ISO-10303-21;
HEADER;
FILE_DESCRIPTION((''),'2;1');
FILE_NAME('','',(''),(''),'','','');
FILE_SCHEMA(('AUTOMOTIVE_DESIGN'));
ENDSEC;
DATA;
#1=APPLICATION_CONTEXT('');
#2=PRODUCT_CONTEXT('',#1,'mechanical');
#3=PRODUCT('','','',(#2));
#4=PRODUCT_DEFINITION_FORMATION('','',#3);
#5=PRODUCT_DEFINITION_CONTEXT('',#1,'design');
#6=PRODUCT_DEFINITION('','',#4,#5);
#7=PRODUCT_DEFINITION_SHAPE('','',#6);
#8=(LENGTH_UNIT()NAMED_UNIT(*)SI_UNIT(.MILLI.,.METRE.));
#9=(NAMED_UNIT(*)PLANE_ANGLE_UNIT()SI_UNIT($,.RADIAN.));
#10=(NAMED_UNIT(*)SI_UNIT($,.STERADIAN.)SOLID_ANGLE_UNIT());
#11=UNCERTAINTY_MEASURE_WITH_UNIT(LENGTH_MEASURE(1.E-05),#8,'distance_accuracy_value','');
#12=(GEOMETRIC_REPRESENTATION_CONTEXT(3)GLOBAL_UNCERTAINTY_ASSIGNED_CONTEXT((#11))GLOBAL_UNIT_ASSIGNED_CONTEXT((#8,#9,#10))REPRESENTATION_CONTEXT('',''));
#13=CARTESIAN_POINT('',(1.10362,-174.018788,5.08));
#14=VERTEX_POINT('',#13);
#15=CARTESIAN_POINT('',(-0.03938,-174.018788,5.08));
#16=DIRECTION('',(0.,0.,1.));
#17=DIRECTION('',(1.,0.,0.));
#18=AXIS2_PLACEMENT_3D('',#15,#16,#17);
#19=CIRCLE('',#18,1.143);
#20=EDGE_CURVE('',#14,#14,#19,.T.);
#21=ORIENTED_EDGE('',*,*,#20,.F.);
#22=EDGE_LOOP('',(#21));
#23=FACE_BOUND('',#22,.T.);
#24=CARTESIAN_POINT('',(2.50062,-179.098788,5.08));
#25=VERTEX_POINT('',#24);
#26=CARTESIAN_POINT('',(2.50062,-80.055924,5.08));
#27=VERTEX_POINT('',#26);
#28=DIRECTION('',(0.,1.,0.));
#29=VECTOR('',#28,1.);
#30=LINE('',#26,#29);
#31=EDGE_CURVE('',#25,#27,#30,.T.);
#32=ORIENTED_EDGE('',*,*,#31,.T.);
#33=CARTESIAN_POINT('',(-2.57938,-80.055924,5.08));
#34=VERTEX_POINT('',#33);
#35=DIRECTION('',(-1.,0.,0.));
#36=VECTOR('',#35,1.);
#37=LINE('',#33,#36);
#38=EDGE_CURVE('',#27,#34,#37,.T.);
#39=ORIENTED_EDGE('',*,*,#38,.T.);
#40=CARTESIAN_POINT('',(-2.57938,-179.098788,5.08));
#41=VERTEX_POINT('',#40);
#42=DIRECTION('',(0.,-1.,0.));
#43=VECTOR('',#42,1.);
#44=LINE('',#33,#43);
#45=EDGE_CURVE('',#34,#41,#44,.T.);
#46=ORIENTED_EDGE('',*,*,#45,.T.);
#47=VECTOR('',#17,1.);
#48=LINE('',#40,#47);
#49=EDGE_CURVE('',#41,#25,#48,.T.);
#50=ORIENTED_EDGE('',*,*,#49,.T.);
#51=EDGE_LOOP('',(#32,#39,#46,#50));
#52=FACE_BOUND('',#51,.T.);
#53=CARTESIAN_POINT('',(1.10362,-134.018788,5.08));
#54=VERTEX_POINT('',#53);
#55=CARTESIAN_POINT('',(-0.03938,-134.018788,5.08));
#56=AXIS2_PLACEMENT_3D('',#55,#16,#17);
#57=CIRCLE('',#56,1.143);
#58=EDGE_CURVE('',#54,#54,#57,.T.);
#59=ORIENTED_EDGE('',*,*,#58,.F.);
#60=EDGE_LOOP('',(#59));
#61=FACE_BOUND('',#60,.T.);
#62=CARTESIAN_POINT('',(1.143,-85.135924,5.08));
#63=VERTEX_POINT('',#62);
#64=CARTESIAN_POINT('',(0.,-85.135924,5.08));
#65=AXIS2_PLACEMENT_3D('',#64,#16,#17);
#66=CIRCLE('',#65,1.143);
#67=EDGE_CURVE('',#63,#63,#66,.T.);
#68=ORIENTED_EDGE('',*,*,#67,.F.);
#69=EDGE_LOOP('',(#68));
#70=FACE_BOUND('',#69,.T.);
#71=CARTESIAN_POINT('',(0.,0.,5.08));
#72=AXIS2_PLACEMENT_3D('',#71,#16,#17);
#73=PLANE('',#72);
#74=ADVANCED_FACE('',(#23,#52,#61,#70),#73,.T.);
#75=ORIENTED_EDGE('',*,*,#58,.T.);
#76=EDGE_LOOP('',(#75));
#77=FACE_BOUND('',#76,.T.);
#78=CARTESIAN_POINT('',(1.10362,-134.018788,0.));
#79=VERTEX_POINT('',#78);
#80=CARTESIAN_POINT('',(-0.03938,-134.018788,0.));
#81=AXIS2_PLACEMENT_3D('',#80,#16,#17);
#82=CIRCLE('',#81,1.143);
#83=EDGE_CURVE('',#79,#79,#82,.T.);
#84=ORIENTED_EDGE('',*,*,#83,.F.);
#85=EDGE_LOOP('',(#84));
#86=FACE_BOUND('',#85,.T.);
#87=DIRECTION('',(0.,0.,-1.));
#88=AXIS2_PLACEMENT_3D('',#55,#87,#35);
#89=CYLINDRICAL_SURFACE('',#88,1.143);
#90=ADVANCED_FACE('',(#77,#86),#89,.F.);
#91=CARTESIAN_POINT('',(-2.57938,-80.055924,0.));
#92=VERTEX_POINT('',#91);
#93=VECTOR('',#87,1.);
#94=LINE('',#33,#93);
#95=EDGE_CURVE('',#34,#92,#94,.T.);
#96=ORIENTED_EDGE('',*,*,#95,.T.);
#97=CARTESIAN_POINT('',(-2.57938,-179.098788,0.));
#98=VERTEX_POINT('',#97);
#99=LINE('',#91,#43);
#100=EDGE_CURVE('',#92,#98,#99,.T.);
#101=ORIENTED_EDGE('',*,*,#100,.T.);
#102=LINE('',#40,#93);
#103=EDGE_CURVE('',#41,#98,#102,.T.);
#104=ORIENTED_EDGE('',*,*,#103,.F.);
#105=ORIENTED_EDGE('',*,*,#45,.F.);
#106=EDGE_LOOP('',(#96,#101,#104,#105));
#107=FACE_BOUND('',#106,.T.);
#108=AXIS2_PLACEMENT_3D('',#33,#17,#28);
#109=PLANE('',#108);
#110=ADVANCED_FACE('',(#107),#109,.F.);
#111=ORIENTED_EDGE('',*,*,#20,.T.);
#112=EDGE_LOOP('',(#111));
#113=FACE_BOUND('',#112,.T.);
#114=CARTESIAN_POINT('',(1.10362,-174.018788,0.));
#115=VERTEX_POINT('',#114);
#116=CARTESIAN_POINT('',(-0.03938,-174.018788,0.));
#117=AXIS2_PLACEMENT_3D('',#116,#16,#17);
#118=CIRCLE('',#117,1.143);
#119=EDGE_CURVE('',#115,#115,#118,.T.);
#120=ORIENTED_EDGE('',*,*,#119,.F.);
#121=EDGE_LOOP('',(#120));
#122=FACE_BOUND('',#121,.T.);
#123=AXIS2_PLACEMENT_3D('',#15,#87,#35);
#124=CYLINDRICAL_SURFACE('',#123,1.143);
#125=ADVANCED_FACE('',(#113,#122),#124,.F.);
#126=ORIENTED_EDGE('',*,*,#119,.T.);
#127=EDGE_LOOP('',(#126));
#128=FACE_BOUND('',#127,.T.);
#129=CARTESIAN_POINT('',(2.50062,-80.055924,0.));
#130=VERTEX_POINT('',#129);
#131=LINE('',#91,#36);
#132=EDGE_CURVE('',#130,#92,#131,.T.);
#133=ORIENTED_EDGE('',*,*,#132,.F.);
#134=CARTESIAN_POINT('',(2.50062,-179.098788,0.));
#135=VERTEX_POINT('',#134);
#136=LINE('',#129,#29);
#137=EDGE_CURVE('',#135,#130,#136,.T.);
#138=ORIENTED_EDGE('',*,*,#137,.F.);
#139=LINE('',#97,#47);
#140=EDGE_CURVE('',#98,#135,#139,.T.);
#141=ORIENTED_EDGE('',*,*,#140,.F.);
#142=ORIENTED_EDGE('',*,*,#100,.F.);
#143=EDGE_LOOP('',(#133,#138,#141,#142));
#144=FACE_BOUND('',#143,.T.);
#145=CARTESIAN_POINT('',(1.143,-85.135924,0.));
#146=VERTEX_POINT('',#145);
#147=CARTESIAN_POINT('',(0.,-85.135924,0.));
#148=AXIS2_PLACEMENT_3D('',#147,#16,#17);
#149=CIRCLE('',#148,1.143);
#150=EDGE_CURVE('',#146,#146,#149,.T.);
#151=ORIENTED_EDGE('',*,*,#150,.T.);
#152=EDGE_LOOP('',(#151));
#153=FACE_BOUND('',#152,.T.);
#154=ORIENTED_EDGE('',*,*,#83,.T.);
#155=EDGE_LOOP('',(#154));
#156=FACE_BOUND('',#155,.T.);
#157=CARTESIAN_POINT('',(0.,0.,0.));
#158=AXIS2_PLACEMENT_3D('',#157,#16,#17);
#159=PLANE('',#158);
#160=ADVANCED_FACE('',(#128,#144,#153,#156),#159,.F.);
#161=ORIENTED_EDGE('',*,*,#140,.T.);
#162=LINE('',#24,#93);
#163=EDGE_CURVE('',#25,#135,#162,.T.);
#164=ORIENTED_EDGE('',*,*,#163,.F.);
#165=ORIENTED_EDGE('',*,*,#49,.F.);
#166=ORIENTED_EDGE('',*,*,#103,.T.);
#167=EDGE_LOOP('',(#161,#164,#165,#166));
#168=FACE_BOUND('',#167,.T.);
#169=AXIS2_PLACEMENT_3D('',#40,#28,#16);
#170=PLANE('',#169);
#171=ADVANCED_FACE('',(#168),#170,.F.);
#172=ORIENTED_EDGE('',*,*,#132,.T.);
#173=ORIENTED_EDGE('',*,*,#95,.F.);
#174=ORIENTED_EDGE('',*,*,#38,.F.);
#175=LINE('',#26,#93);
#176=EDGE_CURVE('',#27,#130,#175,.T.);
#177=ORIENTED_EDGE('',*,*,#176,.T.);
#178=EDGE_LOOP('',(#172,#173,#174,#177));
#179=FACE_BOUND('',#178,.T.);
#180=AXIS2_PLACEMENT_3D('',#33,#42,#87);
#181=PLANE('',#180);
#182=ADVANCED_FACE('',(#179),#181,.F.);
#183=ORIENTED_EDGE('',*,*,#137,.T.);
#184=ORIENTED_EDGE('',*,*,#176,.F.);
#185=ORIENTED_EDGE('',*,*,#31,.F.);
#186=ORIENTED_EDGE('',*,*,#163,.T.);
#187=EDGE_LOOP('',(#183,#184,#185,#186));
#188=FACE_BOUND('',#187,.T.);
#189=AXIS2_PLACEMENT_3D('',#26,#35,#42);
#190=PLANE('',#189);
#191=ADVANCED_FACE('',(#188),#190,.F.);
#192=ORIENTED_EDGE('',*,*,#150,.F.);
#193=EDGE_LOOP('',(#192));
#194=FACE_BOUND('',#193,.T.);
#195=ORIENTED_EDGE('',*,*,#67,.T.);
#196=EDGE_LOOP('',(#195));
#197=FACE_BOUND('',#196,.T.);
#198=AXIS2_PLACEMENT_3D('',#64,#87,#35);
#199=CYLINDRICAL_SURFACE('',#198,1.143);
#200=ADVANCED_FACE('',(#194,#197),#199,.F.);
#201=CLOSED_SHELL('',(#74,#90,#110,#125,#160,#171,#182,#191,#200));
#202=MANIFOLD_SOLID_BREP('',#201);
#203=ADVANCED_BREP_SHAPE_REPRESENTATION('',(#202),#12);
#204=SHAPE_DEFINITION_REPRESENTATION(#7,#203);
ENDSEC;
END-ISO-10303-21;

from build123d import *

# Parameters (mm, degrees)
SKETCH1_W           = 5.08
SKETCH1_H           = 99.042864388
SKETCH1_R           = 1.143
BOSS_EXTRUDE1_DEPTH = 5.08


with BuildPart() as part:
    # Sketch1 → Boss-Extrude1 (new body)
    with BuildSketch(Plane.XY):
        with Locations((-0.039379845, -129.577356123)):
            Rectangle(SKETCH1_W, SKETCH1_H)
        with Locations((-0.039379845, -134.018788317)):
            Circle(SKETCH1_R, mode=Mode.SUBTRACT)
        with Locations((0, -85.135923929)):
            Circle(SKETCH1_R, mode=Mode.SUBTRACT)
        with Locations((-0.039379845, -174.018788317)):
            Circle(SKETCH1_R, mode=Mode.SUBTRACT)
    extrude(amount=BOSS_EXTRUDE1_DEPTH)


solid = part.part
